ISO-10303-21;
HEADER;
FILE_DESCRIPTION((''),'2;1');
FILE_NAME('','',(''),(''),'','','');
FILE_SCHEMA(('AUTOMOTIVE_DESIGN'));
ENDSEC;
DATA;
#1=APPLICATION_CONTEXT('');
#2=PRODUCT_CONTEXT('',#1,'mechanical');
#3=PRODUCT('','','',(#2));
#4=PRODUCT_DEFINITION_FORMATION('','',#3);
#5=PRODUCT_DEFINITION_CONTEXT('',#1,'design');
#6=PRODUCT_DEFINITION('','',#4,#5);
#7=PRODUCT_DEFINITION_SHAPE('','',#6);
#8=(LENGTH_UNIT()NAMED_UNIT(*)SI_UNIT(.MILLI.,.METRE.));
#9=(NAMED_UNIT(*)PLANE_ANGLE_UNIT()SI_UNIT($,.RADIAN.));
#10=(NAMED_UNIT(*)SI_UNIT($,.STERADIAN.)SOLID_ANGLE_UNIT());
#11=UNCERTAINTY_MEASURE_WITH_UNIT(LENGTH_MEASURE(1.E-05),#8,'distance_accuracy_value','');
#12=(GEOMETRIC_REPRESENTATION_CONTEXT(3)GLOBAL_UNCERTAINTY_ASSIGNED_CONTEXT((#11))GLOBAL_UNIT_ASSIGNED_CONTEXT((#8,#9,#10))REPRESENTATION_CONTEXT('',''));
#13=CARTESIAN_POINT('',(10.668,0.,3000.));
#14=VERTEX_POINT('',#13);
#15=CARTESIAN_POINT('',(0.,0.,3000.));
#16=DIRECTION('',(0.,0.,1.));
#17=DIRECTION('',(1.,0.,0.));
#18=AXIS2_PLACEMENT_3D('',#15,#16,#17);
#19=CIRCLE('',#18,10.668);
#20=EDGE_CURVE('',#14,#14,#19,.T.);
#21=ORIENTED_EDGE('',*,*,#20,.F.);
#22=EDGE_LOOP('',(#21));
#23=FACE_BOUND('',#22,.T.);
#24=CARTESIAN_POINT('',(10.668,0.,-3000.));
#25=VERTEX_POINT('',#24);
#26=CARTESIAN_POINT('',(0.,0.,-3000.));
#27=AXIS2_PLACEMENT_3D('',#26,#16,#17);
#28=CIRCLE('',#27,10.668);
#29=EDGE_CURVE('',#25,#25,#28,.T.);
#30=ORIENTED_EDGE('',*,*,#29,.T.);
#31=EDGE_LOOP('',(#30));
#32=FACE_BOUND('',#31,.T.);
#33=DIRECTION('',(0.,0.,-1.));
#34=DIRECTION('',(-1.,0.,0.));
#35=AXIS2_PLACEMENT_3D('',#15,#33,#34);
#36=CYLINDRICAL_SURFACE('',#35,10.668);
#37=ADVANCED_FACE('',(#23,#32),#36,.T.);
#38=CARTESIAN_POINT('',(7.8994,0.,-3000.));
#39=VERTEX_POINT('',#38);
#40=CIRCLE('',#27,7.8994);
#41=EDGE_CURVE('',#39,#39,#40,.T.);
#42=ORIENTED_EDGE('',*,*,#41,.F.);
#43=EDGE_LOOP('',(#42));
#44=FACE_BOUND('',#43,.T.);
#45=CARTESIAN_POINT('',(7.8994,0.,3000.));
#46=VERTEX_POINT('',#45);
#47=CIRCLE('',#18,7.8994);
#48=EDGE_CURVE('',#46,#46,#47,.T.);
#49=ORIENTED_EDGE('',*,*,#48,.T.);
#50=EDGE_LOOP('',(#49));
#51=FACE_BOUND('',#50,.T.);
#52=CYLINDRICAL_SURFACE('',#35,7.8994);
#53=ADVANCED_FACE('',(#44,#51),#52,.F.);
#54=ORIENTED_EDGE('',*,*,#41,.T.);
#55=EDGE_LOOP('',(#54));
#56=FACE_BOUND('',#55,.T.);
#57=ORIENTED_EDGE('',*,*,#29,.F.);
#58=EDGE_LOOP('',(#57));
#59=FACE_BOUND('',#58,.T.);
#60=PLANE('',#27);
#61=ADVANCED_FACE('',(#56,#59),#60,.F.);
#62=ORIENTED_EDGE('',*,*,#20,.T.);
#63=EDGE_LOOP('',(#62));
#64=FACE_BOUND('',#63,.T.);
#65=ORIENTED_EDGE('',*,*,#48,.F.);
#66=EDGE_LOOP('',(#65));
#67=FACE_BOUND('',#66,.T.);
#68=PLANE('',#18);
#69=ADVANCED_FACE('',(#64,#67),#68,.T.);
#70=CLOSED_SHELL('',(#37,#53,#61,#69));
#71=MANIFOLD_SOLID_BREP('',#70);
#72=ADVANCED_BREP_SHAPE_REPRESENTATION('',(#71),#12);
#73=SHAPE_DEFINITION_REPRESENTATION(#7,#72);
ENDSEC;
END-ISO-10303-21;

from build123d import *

# Parameters (mm, degrees)
SKETCH1_R           = 10.668
SKETCH1_R_2         = 7.8994
EXTRUDE_THIN1_DEPTH = 3000


with BuildPart() as part:
    # Sketch1 → Extrude-Thin1 (new body, symmetric)
    with BuildSketch(Plane.XY):
        Circle(SKETCH1_R)
        Circle(SKETCH1_R_2, mode=Mode.SUBTRACT)
    extrude(amount=EXTRUDE_THIN1_DEPTH, both=True)


solid = part.part
